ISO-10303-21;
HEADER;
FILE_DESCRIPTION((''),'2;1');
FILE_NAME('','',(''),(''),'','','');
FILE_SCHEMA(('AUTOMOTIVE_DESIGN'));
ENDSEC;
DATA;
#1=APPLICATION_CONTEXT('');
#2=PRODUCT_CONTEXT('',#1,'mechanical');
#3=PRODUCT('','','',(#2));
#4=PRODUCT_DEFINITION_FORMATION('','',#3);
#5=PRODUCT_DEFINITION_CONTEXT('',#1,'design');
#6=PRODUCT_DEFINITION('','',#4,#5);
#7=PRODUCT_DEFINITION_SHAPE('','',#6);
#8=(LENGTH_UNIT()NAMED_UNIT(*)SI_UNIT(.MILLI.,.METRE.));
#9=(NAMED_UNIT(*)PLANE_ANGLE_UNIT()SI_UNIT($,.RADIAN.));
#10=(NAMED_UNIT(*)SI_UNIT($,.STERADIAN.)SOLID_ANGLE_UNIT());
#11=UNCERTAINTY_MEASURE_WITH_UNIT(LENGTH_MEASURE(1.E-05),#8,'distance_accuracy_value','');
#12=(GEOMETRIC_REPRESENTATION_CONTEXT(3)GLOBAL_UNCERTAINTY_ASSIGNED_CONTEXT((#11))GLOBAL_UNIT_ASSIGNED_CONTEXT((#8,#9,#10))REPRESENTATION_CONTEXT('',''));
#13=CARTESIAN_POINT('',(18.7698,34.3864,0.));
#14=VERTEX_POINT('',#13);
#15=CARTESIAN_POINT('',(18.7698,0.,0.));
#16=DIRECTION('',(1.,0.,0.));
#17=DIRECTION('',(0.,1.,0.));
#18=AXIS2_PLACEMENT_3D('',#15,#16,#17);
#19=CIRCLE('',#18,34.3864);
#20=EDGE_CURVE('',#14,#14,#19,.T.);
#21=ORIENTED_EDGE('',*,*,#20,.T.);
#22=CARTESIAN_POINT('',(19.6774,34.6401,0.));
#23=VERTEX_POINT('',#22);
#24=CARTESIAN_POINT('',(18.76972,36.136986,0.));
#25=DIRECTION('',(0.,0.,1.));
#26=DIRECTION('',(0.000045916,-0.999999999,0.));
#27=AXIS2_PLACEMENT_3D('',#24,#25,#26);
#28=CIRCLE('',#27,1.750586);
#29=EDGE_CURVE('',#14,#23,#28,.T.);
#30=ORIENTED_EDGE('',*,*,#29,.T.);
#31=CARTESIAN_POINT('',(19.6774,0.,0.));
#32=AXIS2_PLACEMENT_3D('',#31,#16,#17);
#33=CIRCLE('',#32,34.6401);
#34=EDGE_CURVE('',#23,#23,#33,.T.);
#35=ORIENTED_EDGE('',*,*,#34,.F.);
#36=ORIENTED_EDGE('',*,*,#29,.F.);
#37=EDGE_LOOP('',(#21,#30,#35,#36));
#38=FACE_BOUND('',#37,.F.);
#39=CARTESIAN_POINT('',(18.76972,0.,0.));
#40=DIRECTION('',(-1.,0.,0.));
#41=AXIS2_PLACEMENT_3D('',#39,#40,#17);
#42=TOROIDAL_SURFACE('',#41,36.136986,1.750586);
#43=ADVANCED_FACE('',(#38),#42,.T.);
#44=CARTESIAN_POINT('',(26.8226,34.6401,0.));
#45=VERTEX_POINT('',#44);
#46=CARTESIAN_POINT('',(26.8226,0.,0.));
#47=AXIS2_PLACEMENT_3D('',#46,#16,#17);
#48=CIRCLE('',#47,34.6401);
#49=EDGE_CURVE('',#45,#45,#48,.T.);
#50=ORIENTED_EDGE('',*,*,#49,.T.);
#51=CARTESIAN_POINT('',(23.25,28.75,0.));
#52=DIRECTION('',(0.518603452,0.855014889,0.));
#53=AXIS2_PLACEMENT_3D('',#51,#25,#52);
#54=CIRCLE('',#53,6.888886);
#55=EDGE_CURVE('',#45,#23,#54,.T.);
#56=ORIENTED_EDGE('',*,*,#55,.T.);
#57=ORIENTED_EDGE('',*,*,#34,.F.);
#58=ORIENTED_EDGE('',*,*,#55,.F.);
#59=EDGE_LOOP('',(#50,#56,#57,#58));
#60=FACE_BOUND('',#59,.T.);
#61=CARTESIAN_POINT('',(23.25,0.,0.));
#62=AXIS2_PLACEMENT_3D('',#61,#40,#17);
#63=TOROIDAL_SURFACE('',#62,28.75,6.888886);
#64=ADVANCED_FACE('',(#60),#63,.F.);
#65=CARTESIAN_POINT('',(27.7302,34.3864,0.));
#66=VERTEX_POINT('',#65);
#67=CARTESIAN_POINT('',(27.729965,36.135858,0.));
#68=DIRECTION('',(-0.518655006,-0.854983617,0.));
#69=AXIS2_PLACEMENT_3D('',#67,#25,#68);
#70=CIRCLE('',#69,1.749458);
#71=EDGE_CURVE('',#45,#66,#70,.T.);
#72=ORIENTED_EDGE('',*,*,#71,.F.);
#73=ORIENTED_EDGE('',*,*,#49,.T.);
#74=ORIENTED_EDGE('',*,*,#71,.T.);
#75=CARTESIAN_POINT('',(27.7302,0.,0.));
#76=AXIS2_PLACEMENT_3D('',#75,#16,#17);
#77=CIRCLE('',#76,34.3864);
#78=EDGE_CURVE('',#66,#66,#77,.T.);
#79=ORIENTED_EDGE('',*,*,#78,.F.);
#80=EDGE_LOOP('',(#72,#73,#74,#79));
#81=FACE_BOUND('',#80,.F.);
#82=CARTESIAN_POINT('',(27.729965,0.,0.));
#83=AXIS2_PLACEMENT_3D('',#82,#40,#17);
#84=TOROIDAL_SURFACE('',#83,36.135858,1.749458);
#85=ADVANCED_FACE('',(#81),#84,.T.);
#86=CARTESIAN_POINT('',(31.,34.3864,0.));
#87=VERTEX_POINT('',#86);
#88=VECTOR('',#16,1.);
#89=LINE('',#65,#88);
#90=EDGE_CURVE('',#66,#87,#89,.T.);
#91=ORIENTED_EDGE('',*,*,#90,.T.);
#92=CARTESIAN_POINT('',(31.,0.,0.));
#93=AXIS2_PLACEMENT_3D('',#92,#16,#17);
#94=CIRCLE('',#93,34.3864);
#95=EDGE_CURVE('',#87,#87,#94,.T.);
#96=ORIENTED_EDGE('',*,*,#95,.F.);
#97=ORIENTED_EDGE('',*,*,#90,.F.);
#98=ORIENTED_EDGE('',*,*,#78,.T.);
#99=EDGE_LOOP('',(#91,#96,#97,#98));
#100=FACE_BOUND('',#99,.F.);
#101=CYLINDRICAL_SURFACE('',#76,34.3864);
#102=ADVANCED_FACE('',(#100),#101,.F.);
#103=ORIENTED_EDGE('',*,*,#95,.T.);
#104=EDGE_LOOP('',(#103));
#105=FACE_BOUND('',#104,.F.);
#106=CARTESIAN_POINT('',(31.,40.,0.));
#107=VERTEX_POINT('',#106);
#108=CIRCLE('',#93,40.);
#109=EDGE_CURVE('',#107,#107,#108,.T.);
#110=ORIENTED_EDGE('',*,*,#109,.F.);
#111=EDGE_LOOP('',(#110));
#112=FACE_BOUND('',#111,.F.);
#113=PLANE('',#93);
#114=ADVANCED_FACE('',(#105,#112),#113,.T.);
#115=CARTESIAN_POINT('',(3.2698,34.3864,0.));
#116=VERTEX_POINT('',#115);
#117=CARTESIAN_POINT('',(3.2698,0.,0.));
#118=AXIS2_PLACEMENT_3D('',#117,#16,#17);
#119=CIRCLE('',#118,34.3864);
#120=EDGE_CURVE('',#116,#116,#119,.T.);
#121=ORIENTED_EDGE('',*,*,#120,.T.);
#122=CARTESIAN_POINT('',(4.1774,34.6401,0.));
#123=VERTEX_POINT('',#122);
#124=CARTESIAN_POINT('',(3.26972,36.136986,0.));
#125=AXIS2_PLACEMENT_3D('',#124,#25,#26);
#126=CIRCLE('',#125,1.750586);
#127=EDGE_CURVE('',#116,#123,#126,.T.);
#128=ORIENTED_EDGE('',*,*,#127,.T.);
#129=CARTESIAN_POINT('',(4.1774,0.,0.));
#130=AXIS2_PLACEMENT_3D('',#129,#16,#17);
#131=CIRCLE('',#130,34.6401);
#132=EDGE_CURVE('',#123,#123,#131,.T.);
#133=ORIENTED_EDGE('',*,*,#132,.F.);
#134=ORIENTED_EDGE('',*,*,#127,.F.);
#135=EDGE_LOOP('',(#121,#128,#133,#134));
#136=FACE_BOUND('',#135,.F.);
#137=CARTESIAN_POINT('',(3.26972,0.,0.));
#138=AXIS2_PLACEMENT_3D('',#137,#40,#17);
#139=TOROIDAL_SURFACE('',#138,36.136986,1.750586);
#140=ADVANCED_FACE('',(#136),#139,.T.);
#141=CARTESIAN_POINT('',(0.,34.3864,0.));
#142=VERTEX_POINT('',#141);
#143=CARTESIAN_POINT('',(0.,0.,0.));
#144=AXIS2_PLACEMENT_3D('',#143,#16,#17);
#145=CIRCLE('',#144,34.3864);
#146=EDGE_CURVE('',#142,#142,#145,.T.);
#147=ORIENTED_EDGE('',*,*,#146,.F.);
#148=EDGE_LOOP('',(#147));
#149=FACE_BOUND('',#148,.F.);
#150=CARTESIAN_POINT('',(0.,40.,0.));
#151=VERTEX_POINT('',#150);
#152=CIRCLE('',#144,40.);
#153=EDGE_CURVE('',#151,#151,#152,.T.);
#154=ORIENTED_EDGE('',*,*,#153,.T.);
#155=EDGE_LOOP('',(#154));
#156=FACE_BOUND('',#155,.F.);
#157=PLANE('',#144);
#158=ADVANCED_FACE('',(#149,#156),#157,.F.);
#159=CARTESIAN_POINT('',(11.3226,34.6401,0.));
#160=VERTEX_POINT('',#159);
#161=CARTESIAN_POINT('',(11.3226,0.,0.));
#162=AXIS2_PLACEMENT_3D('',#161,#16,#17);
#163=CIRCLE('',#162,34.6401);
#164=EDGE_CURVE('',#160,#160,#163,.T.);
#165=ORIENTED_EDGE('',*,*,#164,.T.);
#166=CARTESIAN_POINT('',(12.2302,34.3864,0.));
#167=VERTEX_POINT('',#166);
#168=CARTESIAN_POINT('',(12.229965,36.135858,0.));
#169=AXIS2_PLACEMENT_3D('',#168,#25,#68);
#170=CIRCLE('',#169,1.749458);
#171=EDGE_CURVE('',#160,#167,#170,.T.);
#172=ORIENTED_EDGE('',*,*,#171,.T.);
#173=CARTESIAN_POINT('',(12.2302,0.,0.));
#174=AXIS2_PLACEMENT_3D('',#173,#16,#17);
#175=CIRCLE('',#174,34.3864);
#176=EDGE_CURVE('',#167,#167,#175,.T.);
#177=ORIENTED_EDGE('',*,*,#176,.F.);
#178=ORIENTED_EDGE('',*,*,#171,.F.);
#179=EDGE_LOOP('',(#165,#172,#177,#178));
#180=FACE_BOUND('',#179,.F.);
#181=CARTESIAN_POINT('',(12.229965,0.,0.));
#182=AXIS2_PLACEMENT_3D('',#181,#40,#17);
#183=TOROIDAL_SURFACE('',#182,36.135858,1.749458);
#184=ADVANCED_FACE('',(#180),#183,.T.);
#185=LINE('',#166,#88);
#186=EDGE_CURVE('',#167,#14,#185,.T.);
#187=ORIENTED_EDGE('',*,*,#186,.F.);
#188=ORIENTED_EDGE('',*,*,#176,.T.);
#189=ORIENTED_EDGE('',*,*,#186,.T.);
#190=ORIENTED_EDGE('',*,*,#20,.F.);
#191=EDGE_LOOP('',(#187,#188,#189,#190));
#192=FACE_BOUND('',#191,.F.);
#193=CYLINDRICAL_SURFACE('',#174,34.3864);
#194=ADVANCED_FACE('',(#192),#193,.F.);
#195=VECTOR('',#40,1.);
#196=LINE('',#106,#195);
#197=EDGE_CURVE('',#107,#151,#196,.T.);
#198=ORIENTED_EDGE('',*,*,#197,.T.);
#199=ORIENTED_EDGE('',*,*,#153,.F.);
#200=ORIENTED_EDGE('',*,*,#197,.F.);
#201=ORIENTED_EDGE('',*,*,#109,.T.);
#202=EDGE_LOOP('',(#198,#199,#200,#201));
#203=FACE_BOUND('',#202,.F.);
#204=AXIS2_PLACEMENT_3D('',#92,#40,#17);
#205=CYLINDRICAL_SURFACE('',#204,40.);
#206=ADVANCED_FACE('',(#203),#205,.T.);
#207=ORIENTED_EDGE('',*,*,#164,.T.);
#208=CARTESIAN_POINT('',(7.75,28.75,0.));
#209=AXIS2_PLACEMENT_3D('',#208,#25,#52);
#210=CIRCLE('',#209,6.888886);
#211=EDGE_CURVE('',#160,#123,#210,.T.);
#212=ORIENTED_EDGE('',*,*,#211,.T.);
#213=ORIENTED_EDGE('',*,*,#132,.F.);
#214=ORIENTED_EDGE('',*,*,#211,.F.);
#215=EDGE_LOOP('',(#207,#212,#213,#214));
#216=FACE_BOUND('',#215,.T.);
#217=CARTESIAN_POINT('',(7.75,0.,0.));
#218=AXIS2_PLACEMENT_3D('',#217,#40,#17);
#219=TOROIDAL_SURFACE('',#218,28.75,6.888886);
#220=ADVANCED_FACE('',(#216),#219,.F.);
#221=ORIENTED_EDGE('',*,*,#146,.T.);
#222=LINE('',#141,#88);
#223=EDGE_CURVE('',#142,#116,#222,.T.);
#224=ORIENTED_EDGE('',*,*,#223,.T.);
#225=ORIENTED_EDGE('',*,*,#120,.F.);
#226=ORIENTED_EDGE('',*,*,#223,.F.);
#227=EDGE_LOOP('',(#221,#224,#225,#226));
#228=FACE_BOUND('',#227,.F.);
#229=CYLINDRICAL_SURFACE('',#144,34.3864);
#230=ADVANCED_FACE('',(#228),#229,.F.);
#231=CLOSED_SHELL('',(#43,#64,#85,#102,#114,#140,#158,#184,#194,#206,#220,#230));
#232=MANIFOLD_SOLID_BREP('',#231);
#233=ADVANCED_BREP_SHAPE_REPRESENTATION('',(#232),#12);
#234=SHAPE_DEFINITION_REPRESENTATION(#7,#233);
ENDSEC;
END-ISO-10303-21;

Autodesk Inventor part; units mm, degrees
sketch "Sketch_1" plane through (0, 0, 0) normal (0, 0, 1) x (1, 0, 0)
  line L0 (50, 0) -> (-50, 0)
  line L1 (0, 34.3864) -> (3.2698, 34.3864)
  arc A0 (3.2698, 34.3864) -> (4.1774, 34.6401) centre (3.2698, 36.1364) ccw
  arc A1 (11.3226, 34.6401) -> (4.1774, 34.6401) centre (7.75, 28.75) ccw
  arc A2 (11.3226, 34.6401) -> (12.2302, 34.3864) centre (12.2302, 36.1364) ccw
  line L2 (12.2302, 34.3864) -> (18.7698, 34.3864)
  arc A3 (18.7698, 34.3864) -> (19.6774, 34.6401) centre (18.7698, 36.1364) ccw
  arc A4 (26.8226, 34.6401) -> (19.6774, 34.6401) centre (23.25, 28.75) ccw
  arc A5 (26.8226, 34.6401) -> (27.7302, 34.3864) centre (27.7302, 36.1364) ccw
  line L3 (27.7302, 34.3864) -> (31, 34.3864)
  line L4 (31, 34.3864) -> (31, 40)
  line L5 (31, 40) -> (0, 40)
  line L6 (0, 40) -> (0, 34.3864)
revolve "Revolution1" add sketch "Sketch_1" angle 360 about axis through (50, 0, 0) along (1, 0, 0)
ref_plane "IP_1_XY" through (0, 0, 0) normal (1, 0, 0) x (0, 0, -1)
ref_plane "IP_1_YZ" through (0, 0, 0) normal (0, 0, -1) x (0, 1, 0)
ref_plane "IP_1_ZX" through (0, 0, 0) normal (0, 1, 0) x (1, 0, 0)
ref_plane "IP_2_XY" through (15.5, 0, 0) normal (1, 0, 0) x (0, 0, -1)
ref_plane "IP_2_YZ" through (15.5, 0, 0) normal (0, 0, -1) x (0, 1, 0)
ref_plane "IP_2_ZX" through (15.5, 0, 0) normal (0, 1, 0) x (1, 0, 0)
properties part number "hpc_Q2307-ACC_1"
